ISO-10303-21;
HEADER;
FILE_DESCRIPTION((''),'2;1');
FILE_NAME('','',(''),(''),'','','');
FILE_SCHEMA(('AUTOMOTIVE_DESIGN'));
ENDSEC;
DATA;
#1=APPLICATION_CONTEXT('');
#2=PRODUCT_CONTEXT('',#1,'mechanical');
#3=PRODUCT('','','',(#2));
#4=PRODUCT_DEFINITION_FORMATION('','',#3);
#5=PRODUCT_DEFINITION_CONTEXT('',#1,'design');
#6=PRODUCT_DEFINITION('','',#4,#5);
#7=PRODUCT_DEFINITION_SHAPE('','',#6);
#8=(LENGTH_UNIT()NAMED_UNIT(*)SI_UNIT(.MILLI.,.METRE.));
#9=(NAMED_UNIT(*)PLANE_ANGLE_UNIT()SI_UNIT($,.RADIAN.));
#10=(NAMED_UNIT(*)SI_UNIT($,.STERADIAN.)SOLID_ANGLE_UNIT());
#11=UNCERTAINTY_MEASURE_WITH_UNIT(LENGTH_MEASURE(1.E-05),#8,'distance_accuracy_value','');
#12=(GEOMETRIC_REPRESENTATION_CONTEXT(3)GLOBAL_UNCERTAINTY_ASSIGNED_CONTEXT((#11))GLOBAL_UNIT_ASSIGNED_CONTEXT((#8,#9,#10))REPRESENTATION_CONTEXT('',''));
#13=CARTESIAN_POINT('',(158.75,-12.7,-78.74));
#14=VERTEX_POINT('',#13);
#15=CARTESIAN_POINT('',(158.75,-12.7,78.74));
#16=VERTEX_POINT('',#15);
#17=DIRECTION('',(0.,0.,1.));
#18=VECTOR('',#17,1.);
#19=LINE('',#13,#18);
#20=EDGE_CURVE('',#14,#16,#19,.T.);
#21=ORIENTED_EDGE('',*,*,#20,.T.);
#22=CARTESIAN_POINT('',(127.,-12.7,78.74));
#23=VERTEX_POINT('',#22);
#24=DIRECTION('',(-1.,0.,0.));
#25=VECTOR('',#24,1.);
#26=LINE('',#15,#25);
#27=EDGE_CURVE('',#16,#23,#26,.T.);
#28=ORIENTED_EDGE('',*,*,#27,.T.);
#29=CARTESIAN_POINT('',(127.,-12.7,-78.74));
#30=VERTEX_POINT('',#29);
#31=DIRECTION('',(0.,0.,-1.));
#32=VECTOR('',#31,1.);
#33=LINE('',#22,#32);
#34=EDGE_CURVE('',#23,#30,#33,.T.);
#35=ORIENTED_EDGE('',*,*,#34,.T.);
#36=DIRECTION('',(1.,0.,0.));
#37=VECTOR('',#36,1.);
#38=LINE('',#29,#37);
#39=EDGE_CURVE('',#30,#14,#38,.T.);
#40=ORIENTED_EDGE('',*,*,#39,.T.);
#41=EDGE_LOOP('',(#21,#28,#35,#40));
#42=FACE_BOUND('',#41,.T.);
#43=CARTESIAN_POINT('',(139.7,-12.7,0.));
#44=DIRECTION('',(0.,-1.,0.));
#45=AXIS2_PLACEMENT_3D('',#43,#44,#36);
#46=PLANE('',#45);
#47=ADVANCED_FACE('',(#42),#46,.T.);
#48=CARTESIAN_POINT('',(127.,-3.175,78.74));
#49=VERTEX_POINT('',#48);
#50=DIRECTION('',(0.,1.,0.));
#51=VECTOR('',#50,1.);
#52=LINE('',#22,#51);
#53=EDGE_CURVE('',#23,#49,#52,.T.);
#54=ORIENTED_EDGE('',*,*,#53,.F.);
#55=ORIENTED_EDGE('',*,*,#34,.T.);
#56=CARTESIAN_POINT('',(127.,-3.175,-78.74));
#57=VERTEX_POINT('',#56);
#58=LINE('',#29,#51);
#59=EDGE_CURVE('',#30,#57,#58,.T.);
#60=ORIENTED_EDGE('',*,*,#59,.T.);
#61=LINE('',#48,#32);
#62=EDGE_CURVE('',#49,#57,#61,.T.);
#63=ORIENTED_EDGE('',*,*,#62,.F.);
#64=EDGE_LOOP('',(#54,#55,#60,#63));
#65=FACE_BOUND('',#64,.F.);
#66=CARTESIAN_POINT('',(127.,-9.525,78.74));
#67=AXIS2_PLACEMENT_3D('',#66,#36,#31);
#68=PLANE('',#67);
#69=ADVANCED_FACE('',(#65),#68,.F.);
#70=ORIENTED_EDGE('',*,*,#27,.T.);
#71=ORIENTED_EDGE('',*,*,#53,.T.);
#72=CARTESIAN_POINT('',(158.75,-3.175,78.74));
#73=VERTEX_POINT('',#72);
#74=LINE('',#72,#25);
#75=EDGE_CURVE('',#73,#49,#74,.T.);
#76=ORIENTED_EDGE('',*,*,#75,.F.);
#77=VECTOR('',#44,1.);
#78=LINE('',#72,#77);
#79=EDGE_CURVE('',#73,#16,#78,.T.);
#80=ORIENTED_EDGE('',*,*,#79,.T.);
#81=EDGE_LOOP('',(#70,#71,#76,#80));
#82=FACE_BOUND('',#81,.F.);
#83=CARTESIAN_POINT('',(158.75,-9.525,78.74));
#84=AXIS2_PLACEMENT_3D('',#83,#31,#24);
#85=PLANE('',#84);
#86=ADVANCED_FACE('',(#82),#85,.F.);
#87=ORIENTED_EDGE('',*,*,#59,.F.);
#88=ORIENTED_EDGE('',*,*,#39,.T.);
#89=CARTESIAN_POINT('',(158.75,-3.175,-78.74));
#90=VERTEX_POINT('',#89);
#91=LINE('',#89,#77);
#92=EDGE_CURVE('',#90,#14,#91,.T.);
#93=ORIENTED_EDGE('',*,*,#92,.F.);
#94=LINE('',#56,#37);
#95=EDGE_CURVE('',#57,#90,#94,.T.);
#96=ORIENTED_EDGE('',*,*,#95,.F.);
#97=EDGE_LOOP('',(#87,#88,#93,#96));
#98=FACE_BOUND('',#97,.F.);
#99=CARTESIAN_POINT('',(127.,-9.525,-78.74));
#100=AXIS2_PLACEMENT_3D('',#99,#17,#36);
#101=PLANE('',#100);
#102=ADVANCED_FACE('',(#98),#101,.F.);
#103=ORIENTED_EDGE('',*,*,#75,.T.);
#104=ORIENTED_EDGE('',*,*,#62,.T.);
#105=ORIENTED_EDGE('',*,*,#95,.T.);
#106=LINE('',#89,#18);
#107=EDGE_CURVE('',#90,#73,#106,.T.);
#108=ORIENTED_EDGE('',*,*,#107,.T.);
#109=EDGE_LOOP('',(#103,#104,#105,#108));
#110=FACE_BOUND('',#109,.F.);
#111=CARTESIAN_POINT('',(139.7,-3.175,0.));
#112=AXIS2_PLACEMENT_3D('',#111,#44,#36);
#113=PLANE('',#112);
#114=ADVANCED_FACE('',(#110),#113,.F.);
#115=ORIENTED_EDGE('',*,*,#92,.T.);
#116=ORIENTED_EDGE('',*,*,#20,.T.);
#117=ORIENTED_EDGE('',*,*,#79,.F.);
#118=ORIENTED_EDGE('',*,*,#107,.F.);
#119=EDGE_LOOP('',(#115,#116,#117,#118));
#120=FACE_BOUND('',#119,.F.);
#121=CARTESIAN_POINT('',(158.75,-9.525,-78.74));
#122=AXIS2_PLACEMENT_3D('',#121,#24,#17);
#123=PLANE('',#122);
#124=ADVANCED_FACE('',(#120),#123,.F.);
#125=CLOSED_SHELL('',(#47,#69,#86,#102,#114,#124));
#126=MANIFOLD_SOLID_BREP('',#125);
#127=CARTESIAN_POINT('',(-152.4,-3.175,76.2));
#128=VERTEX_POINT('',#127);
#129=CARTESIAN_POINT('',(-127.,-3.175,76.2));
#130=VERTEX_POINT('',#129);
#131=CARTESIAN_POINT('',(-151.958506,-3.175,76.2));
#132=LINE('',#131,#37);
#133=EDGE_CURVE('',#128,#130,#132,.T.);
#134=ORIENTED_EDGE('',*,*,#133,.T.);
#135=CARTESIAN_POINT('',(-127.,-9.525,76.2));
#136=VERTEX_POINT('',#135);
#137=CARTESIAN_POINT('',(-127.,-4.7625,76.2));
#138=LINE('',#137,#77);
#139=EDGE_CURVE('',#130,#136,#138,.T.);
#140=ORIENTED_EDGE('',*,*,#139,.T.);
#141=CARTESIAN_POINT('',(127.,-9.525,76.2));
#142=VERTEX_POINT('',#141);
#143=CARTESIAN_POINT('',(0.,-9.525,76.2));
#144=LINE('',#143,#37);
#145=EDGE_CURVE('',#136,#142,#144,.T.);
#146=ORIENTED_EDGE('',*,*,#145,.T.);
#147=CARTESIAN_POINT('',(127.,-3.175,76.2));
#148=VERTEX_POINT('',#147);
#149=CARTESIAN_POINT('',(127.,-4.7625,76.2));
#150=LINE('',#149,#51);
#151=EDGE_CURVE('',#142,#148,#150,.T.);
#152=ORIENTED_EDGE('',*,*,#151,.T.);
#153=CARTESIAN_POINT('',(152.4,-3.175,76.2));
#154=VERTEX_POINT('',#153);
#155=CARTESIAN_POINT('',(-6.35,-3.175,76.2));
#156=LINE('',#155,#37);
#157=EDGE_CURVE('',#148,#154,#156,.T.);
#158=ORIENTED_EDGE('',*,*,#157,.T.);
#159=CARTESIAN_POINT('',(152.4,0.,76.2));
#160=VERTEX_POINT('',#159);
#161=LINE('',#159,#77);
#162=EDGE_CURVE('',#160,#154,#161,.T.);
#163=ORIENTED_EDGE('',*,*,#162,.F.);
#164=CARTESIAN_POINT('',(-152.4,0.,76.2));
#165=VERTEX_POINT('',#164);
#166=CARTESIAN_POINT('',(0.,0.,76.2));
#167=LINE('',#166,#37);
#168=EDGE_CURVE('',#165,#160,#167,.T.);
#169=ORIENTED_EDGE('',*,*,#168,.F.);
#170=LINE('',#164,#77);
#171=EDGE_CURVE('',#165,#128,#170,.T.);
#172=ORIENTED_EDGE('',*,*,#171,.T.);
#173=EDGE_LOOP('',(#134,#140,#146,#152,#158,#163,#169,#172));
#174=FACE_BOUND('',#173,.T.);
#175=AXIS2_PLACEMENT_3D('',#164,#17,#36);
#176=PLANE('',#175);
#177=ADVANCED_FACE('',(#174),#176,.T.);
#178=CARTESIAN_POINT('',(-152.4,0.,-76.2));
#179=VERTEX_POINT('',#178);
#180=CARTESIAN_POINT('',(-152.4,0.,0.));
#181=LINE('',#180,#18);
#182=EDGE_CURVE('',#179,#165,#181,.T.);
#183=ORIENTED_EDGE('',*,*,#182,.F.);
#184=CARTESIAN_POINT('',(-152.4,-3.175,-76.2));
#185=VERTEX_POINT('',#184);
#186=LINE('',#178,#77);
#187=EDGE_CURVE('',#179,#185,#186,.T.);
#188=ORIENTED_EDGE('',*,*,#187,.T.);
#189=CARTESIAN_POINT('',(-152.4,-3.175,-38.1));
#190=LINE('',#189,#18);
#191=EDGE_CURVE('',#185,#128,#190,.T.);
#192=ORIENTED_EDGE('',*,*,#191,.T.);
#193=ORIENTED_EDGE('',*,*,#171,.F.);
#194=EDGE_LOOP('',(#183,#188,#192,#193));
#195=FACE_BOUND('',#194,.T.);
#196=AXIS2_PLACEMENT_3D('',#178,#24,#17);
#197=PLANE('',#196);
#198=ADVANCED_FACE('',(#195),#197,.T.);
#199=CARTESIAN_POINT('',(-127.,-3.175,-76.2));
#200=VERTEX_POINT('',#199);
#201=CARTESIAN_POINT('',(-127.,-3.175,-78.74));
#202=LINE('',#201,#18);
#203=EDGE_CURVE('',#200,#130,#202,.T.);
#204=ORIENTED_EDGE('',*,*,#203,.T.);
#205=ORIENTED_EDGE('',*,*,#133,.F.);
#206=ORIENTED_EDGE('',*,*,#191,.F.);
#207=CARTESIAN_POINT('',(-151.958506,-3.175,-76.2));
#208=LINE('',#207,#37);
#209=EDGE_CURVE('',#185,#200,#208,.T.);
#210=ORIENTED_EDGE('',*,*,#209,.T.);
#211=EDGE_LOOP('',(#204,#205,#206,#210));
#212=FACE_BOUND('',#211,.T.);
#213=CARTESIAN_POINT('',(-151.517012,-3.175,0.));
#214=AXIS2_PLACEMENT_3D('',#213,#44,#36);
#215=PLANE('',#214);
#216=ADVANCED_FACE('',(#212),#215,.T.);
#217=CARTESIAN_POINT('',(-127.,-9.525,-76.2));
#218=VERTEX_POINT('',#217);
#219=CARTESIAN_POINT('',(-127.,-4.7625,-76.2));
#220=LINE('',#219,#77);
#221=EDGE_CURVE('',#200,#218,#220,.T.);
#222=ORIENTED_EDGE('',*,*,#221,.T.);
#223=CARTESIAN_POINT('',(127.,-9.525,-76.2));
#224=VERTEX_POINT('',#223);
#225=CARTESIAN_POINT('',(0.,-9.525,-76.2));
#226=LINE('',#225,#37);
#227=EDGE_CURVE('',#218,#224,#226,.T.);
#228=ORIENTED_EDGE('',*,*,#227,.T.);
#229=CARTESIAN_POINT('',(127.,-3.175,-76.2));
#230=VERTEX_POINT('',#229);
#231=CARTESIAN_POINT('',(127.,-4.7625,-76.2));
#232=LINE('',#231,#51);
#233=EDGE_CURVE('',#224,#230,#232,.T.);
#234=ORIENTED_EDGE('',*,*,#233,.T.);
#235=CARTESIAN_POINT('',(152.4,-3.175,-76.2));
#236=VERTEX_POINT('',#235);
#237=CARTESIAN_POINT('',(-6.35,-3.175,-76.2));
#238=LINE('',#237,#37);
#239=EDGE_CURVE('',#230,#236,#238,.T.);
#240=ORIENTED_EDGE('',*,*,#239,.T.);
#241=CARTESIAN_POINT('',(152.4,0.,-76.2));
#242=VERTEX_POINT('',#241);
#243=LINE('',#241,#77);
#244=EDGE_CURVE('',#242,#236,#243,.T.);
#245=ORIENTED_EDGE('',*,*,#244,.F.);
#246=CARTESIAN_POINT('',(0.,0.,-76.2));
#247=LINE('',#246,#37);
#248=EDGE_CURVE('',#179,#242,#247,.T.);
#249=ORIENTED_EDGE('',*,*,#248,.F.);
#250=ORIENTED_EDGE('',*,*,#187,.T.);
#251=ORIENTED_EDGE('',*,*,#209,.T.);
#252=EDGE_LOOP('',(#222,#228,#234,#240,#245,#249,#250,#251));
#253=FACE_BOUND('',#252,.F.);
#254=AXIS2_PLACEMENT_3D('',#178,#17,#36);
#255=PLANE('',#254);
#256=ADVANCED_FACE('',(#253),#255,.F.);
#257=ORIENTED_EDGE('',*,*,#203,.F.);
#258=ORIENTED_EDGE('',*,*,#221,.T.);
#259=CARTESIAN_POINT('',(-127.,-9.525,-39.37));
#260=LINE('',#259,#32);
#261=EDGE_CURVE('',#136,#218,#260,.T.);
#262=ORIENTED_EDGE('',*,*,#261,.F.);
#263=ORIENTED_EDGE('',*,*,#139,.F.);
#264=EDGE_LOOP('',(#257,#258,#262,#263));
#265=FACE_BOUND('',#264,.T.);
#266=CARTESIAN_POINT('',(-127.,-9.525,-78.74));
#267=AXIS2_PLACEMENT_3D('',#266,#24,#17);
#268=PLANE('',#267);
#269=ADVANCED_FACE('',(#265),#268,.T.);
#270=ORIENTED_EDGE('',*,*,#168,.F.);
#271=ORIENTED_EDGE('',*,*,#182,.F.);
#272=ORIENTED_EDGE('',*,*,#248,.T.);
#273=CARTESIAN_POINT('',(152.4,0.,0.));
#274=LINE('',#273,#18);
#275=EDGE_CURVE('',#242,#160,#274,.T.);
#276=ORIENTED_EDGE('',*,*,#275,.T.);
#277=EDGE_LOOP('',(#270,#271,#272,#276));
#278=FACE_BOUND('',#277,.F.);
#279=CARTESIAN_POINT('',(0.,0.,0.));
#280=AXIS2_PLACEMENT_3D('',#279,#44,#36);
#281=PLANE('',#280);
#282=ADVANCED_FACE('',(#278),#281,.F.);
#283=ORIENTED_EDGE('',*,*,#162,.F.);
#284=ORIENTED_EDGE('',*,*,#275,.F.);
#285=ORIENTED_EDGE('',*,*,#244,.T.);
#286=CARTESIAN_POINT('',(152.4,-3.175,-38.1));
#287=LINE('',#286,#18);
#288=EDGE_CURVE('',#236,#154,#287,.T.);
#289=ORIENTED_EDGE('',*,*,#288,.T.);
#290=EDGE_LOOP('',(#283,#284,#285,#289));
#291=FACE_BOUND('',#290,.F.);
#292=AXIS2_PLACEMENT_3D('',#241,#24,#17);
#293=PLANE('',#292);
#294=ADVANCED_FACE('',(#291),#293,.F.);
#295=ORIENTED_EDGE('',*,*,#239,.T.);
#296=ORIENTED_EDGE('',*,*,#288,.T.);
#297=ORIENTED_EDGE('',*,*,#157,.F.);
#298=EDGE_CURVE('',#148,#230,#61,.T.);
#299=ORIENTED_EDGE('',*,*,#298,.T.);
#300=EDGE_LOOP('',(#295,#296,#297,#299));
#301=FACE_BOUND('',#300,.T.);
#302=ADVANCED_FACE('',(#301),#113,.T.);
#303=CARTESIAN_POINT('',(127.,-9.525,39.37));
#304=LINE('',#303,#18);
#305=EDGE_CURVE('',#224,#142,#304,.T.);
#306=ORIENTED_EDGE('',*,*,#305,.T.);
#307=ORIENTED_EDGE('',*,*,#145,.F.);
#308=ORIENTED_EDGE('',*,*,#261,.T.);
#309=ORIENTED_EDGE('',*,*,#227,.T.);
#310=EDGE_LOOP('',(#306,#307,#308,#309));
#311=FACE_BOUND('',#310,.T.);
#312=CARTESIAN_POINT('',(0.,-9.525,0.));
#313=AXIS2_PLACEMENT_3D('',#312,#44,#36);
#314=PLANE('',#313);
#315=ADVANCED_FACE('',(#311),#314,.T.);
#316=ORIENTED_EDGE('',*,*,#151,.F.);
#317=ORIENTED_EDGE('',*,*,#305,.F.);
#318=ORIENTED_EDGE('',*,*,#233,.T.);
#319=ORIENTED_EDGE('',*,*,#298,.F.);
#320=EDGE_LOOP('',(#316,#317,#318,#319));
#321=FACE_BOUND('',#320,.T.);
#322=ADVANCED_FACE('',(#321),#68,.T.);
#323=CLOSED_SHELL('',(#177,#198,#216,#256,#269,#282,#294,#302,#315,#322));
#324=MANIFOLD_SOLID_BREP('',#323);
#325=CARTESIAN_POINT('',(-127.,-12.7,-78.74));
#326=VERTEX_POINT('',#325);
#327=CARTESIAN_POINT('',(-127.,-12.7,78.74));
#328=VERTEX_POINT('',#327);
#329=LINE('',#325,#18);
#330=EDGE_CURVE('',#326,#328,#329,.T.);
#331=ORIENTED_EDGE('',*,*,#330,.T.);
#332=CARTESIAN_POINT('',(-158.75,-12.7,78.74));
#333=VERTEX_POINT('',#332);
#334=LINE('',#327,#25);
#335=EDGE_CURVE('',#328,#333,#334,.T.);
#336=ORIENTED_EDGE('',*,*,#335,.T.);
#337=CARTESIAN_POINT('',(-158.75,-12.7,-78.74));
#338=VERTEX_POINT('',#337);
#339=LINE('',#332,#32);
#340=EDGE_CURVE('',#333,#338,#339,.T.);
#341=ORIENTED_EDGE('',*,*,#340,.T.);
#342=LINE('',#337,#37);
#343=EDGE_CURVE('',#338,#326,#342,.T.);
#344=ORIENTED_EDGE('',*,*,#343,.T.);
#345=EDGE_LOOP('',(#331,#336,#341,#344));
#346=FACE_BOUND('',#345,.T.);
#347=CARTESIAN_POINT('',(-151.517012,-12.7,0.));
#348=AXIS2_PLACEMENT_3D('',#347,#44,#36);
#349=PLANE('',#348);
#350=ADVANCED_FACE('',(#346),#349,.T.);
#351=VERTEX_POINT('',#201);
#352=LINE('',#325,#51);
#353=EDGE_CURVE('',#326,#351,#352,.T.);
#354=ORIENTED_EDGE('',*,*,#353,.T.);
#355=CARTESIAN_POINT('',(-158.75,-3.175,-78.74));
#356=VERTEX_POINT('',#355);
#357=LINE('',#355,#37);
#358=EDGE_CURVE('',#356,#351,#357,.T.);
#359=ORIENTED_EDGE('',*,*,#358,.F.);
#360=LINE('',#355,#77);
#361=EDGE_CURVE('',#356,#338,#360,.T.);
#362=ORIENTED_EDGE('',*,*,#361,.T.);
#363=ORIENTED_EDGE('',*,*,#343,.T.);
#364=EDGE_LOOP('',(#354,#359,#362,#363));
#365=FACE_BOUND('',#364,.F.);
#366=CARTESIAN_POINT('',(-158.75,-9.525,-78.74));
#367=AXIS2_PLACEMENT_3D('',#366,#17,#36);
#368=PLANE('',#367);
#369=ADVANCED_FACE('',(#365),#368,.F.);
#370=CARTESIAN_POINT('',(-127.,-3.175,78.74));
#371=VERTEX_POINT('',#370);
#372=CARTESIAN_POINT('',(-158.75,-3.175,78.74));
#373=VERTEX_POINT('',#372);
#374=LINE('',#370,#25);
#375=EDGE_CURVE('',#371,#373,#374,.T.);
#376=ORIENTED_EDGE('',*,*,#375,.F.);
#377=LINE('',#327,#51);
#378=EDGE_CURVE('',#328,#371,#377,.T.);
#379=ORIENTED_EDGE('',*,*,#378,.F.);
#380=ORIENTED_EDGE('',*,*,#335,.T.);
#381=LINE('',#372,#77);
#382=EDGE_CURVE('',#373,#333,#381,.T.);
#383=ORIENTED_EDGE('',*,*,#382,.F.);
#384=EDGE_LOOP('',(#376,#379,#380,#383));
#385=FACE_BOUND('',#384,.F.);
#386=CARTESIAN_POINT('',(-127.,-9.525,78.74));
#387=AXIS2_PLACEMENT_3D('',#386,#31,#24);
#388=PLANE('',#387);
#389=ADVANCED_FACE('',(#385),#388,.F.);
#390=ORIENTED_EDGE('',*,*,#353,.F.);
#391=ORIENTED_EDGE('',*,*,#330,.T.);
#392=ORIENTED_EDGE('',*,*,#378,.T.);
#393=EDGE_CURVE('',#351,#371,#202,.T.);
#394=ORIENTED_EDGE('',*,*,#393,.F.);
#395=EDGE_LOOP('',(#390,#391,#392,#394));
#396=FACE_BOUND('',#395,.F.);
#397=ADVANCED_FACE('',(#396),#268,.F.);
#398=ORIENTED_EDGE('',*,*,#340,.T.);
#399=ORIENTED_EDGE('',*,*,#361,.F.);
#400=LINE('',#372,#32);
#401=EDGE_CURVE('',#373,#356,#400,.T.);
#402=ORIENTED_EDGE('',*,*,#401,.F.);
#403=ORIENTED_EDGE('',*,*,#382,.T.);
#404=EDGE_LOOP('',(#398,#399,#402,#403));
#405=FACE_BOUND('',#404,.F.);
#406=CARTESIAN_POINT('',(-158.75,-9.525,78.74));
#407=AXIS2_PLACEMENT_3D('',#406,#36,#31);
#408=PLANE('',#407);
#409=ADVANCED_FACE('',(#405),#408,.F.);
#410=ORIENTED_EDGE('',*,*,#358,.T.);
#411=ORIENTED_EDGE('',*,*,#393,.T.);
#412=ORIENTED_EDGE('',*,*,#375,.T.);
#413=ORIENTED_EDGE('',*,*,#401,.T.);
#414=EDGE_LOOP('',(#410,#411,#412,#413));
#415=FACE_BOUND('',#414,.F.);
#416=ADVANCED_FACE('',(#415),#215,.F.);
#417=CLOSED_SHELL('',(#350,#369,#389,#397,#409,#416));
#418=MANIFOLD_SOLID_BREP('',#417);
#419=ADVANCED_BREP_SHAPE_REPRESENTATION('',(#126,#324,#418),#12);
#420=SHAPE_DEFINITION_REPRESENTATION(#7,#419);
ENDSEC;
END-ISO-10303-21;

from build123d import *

# Parameters (mm, degrees)
F0_W          = 304.8
F0_H          = 152.4
F1_DEPTH      = 9.525
F2_W          = 25.4
F2_H          = 152.4
F3_DEPTH      = 6.35
F3_DEPTH_BACK = 3.175


with BuildPart() as f1:
    # F0 (on Front) → F1 (new body)
    with BuildSketch(Plane.XZ):
        Rectangle(F0_W, F0_H)
    extrude(amount=F1_DEPTH)


with BuildPart() as f3:
    # F2 (on face) → F3 (new body, two sides)
    with BuildSketch(Plane.XZ.offset(9.525)) as f3_sk:
        Polygon((-127, 78.74), (-158.75, 78.74), (-158.75, -78.74), (-127, -78.74), (-127, -76.2), (-152.4, -76.2), (-152.4, 76.2), (-127, 76.2), align=None)
        with Locations((-139.7, 0)):
            Rectangle(F2_W, F2_H)
    extrude(amount=-F3_DEPTH)
    extrude(f3_sk.sketch, amount=F3_DEPTH_BACK)


with BuildPart() as f3b:
    # F2 (on face) → F3, piece 2 (new body, two sides)
    with BuildSketch(Plane.XZ.offset(9.525)) as f3_2_sk:
        with Locations((139.7, 0)):
            Rectangle(F2_W, F2_H)
        Polygon((127, 78.74), (127, 76.2), (152.4, 76.2), (152.4, -76.2), (127, -76.2), (127, -78.74), (158.75, -78.74), (158.75, 78.74), align=None)
    extrude(amount=-F3_DEPTH)
    extrude(f3_2_sk.sketch, amount=F3_DEPTH_BACK)


with BuildPart() as f1_1:
    add(f1.part)

    # F4: cut F3, F3b
    add(f3.part, mode=Mode.SUBTRACT)
    add(f3b.part, mode=Mode.SUBTRACT)


solid = Compound([f3.part, f3b.part, f1_1.part])
